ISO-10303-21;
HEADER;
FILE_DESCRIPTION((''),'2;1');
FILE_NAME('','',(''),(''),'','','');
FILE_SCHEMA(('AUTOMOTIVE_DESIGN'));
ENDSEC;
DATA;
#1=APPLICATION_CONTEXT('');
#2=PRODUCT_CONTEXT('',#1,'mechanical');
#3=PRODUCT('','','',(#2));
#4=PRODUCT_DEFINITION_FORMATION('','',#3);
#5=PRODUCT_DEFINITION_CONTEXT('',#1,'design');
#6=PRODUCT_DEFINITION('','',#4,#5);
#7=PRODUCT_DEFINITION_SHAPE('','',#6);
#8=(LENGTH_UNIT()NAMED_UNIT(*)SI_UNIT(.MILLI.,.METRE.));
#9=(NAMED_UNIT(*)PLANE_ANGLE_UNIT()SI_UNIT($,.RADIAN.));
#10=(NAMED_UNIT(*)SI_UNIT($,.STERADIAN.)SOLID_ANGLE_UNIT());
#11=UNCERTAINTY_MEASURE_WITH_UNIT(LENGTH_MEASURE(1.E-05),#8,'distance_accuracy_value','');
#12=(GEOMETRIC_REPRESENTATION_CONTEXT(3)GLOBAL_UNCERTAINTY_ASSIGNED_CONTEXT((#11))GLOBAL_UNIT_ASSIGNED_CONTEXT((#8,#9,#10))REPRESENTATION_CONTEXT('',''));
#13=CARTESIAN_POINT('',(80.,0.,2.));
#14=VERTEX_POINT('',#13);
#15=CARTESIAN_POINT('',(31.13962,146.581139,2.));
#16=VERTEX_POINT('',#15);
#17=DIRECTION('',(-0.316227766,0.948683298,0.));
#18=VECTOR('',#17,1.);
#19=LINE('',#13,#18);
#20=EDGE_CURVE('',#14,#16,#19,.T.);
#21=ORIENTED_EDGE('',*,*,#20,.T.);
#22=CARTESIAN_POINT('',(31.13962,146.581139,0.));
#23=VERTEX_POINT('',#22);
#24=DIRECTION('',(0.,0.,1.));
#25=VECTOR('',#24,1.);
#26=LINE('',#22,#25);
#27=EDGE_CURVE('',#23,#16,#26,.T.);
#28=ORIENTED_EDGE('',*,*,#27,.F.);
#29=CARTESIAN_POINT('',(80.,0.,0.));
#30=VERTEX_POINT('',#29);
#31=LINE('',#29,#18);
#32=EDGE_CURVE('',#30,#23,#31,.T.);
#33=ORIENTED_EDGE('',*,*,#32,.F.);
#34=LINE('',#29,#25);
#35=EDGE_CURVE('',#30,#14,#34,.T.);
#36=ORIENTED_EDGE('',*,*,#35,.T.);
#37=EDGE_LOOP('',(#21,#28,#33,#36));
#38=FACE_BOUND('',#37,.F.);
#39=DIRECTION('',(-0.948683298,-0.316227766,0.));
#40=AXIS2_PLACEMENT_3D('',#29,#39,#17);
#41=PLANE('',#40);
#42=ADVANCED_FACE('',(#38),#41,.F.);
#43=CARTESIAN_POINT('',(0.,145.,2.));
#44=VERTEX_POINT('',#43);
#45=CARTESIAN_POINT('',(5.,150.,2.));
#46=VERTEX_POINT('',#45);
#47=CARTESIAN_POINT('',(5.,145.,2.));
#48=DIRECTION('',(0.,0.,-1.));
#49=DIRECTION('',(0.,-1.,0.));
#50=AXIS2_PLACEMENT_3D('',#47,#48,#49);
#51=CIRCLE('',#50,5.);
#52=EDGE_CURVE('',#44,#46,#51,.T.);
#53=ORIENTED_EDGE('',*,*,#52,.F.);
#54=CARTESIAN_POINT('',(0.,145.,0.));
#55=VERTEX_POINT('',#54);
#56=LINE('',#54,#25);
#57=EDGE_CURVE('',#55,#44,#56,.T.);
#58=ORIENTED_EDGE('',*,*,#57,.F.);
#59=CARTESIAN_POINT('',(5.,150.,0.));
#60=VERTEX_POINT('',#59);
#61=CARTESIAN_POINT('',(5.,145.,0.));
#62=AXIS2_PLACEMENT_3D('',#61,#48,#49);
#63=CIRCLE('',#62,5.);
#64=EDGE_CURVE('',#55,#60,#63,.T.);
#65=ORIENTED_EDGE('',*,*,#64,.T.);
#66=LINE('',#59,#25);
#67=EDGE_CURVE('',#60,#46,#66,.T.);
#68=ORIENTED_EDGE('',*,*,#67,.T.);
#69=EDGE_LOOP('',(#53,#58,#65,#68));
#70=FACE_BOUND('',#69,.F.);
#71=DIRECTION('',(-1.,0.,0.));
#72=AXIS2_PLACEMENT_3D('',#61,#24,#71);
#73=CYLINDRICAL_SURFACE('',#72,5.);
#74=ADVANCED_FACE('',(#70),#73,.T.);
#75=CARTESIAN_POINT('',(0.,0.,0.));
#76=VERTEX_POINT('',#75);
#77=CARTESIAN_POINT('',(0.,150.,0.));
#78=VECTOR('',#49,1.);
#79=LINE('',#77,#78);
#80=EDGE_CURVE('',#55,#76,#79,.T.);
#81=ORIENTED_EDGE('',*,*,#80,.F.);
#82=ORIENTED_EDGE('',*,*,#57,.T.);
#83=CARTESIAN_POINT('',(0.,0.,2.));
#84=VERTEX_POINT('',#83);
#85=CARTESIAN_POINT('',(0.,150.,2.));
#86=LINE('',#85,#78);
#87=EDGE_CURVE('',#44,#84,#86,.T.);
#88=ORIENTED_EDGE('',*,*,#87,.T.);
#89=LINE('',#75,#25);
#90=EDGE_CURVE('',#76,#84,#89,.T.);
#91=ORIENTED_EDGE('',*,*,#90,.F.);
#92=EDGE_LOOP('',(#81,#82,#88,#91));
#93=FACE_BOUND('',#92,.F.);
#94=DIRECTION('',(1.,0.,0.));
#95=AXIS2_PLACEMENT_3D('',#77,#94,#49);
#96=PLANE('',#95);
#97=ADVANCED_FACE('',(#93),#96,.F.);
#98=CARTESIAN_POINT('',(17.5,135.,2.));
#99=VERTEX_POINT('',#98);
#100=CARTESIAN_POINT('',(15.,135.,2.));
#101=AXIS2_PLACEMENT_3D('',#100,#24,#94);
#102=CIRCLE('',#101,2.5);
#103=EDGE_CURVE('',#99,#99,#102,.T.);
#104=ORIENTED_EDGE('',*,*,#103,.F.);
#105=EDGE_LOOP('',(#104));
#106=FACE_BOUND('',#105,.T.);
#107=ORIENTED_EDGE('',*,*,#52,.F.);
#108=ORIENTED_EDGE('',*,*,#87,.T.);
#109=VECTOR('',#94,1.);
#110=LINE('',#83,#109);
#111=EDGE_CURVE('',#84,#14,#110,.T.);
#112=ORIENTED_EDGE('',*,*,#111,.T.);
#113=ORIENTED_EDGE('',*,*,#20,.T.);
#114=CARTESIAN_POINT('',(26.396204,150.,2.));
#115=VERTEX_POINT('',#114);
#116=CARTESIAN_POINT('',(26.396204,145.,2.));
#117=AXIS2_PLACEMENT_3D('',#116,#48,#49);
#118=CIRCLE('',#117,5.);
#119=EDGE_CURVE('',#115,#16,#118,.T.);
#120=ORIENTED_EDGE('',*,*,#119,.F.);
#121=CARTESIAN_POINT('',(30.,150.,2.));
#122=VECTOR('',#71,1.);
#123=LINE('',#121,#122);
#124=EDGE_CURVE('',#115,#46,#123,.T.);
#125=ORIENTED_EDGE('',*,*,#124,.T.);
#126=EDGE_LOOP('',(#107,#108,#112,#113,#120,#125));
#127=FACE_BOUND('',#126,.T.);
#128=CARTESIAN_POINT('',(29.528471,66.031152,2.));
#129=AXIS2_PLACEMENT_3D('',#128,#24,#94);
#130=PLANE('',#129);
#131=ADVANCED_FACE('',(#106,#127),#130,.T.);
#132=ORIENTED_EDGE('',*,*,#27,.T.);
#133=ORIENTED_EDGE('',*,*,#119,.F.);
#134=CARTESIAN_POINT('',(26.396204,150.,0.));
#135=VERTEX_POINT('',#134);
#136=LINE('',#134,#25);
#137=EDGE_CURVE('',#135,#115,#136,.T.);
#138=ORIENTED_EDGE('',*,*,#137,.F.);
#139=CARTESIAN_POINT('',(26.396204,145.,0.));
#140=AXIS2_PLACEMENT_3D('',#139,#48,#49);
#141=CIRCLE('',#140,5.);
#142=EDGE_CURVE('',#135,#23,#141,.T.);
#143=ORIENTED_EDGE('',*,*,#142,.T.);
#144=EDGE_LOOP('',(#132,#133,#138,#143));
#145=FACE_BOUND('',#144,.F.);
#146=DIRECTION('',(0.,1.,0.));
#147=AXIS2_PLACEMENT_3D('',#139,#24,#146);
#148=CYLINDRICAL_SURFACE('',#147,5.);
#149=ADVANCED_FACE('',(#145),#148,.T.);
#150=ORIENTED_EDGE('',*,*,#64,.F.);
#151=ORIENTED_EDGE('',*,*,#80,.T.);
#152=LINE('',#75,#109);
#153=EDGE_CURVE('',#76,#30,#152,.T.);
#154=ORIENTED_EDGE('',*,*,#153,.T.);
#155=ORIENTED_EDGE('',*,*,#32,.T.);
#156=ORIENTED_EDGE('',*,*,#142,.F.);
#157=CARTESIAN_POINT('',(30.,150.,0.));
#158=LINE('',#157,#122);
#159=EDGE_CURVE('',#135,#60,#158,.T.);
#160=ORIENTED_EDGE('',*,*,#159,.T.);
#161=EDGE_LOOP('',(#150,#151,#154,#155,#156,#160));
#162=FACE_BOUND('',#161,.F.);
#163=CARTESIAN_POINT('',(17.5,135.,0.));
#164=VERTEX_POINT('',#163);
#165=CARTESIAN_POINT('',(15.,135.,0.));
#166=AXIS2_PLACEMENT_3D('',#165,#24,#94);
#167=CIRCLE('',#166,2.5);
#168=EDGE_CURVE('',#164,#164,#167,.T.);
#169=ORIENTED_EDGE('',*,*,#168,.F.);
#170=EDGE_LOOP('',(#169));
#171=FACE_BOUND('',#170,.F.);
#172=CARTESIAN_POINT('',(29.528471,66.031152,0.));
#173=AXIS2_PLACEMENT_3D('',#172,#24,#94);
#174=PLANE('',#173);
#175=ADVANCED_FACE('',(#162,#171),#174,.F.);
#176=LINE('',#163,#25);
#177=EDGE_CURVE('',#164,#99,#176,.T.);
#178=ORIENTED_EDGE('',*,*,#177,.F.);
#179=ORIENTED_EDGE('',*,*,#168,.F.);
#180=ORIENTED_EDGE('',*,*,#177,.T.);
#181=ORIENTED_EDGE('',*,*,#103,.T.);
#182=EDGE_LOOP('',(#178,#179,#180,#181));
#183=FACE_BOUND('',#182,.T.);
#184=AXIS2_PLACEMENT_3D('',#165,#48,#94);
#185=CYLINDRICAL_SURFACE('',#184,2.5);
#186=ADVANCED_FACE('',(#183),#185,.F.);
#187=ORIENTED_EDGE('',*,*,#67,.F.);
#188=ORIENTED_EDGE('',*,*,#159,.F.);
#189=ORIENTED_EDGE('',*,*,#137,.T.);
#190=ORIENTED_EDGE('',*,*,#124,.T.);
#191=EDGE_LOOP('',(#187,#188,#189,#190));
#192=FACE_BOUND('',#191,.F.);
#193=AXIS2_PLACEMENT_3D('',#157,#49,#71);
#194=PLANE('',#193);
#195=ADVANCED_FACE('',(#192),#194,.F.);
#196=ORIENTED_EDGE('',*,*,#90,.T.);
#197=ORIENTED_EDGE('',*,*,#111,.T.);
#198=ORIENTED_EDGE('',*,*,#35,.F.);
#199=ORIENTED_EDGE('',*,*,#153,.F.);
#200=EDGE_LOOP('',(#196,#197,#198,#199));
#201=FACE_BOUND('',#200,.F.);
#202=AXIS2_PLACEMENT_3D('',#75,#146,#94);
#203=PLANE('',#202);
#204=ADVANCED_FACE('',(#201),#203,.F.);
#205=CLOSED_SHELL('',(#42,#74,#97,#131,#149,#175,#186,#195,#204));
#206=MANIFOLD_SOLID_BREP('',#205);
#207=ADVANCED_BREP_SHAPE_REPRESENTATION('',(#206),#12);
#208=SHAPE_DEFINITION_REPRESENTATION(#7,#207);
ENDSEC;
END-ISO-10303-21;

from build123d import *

# Parameters (mm, degrees)
F0_R     = 2.5
F1_DEPTH = 2
F2_R     = 5


with BuildPart() as f1:
    # F0 (on Top) → F1 (new body)
    with BuildSketch(Plane.XY):
        Polygon((0, 150), (0, 0), (80, 0), (30, 150), align=None)
        with Locations((15, 135)):
            Circle(F0_R, mode=Mode.SUBTRACT)
    extrude(amount=F1_DEPTH)

    # F2
    f2_edges = [f1.edges().sort_by_distance(p)[0] for p in [
        (0, 150, 1),
        (30, 150, 1),
    ]]
    fillet(f2_edges, radius=F2_R)


solid = f1.part
